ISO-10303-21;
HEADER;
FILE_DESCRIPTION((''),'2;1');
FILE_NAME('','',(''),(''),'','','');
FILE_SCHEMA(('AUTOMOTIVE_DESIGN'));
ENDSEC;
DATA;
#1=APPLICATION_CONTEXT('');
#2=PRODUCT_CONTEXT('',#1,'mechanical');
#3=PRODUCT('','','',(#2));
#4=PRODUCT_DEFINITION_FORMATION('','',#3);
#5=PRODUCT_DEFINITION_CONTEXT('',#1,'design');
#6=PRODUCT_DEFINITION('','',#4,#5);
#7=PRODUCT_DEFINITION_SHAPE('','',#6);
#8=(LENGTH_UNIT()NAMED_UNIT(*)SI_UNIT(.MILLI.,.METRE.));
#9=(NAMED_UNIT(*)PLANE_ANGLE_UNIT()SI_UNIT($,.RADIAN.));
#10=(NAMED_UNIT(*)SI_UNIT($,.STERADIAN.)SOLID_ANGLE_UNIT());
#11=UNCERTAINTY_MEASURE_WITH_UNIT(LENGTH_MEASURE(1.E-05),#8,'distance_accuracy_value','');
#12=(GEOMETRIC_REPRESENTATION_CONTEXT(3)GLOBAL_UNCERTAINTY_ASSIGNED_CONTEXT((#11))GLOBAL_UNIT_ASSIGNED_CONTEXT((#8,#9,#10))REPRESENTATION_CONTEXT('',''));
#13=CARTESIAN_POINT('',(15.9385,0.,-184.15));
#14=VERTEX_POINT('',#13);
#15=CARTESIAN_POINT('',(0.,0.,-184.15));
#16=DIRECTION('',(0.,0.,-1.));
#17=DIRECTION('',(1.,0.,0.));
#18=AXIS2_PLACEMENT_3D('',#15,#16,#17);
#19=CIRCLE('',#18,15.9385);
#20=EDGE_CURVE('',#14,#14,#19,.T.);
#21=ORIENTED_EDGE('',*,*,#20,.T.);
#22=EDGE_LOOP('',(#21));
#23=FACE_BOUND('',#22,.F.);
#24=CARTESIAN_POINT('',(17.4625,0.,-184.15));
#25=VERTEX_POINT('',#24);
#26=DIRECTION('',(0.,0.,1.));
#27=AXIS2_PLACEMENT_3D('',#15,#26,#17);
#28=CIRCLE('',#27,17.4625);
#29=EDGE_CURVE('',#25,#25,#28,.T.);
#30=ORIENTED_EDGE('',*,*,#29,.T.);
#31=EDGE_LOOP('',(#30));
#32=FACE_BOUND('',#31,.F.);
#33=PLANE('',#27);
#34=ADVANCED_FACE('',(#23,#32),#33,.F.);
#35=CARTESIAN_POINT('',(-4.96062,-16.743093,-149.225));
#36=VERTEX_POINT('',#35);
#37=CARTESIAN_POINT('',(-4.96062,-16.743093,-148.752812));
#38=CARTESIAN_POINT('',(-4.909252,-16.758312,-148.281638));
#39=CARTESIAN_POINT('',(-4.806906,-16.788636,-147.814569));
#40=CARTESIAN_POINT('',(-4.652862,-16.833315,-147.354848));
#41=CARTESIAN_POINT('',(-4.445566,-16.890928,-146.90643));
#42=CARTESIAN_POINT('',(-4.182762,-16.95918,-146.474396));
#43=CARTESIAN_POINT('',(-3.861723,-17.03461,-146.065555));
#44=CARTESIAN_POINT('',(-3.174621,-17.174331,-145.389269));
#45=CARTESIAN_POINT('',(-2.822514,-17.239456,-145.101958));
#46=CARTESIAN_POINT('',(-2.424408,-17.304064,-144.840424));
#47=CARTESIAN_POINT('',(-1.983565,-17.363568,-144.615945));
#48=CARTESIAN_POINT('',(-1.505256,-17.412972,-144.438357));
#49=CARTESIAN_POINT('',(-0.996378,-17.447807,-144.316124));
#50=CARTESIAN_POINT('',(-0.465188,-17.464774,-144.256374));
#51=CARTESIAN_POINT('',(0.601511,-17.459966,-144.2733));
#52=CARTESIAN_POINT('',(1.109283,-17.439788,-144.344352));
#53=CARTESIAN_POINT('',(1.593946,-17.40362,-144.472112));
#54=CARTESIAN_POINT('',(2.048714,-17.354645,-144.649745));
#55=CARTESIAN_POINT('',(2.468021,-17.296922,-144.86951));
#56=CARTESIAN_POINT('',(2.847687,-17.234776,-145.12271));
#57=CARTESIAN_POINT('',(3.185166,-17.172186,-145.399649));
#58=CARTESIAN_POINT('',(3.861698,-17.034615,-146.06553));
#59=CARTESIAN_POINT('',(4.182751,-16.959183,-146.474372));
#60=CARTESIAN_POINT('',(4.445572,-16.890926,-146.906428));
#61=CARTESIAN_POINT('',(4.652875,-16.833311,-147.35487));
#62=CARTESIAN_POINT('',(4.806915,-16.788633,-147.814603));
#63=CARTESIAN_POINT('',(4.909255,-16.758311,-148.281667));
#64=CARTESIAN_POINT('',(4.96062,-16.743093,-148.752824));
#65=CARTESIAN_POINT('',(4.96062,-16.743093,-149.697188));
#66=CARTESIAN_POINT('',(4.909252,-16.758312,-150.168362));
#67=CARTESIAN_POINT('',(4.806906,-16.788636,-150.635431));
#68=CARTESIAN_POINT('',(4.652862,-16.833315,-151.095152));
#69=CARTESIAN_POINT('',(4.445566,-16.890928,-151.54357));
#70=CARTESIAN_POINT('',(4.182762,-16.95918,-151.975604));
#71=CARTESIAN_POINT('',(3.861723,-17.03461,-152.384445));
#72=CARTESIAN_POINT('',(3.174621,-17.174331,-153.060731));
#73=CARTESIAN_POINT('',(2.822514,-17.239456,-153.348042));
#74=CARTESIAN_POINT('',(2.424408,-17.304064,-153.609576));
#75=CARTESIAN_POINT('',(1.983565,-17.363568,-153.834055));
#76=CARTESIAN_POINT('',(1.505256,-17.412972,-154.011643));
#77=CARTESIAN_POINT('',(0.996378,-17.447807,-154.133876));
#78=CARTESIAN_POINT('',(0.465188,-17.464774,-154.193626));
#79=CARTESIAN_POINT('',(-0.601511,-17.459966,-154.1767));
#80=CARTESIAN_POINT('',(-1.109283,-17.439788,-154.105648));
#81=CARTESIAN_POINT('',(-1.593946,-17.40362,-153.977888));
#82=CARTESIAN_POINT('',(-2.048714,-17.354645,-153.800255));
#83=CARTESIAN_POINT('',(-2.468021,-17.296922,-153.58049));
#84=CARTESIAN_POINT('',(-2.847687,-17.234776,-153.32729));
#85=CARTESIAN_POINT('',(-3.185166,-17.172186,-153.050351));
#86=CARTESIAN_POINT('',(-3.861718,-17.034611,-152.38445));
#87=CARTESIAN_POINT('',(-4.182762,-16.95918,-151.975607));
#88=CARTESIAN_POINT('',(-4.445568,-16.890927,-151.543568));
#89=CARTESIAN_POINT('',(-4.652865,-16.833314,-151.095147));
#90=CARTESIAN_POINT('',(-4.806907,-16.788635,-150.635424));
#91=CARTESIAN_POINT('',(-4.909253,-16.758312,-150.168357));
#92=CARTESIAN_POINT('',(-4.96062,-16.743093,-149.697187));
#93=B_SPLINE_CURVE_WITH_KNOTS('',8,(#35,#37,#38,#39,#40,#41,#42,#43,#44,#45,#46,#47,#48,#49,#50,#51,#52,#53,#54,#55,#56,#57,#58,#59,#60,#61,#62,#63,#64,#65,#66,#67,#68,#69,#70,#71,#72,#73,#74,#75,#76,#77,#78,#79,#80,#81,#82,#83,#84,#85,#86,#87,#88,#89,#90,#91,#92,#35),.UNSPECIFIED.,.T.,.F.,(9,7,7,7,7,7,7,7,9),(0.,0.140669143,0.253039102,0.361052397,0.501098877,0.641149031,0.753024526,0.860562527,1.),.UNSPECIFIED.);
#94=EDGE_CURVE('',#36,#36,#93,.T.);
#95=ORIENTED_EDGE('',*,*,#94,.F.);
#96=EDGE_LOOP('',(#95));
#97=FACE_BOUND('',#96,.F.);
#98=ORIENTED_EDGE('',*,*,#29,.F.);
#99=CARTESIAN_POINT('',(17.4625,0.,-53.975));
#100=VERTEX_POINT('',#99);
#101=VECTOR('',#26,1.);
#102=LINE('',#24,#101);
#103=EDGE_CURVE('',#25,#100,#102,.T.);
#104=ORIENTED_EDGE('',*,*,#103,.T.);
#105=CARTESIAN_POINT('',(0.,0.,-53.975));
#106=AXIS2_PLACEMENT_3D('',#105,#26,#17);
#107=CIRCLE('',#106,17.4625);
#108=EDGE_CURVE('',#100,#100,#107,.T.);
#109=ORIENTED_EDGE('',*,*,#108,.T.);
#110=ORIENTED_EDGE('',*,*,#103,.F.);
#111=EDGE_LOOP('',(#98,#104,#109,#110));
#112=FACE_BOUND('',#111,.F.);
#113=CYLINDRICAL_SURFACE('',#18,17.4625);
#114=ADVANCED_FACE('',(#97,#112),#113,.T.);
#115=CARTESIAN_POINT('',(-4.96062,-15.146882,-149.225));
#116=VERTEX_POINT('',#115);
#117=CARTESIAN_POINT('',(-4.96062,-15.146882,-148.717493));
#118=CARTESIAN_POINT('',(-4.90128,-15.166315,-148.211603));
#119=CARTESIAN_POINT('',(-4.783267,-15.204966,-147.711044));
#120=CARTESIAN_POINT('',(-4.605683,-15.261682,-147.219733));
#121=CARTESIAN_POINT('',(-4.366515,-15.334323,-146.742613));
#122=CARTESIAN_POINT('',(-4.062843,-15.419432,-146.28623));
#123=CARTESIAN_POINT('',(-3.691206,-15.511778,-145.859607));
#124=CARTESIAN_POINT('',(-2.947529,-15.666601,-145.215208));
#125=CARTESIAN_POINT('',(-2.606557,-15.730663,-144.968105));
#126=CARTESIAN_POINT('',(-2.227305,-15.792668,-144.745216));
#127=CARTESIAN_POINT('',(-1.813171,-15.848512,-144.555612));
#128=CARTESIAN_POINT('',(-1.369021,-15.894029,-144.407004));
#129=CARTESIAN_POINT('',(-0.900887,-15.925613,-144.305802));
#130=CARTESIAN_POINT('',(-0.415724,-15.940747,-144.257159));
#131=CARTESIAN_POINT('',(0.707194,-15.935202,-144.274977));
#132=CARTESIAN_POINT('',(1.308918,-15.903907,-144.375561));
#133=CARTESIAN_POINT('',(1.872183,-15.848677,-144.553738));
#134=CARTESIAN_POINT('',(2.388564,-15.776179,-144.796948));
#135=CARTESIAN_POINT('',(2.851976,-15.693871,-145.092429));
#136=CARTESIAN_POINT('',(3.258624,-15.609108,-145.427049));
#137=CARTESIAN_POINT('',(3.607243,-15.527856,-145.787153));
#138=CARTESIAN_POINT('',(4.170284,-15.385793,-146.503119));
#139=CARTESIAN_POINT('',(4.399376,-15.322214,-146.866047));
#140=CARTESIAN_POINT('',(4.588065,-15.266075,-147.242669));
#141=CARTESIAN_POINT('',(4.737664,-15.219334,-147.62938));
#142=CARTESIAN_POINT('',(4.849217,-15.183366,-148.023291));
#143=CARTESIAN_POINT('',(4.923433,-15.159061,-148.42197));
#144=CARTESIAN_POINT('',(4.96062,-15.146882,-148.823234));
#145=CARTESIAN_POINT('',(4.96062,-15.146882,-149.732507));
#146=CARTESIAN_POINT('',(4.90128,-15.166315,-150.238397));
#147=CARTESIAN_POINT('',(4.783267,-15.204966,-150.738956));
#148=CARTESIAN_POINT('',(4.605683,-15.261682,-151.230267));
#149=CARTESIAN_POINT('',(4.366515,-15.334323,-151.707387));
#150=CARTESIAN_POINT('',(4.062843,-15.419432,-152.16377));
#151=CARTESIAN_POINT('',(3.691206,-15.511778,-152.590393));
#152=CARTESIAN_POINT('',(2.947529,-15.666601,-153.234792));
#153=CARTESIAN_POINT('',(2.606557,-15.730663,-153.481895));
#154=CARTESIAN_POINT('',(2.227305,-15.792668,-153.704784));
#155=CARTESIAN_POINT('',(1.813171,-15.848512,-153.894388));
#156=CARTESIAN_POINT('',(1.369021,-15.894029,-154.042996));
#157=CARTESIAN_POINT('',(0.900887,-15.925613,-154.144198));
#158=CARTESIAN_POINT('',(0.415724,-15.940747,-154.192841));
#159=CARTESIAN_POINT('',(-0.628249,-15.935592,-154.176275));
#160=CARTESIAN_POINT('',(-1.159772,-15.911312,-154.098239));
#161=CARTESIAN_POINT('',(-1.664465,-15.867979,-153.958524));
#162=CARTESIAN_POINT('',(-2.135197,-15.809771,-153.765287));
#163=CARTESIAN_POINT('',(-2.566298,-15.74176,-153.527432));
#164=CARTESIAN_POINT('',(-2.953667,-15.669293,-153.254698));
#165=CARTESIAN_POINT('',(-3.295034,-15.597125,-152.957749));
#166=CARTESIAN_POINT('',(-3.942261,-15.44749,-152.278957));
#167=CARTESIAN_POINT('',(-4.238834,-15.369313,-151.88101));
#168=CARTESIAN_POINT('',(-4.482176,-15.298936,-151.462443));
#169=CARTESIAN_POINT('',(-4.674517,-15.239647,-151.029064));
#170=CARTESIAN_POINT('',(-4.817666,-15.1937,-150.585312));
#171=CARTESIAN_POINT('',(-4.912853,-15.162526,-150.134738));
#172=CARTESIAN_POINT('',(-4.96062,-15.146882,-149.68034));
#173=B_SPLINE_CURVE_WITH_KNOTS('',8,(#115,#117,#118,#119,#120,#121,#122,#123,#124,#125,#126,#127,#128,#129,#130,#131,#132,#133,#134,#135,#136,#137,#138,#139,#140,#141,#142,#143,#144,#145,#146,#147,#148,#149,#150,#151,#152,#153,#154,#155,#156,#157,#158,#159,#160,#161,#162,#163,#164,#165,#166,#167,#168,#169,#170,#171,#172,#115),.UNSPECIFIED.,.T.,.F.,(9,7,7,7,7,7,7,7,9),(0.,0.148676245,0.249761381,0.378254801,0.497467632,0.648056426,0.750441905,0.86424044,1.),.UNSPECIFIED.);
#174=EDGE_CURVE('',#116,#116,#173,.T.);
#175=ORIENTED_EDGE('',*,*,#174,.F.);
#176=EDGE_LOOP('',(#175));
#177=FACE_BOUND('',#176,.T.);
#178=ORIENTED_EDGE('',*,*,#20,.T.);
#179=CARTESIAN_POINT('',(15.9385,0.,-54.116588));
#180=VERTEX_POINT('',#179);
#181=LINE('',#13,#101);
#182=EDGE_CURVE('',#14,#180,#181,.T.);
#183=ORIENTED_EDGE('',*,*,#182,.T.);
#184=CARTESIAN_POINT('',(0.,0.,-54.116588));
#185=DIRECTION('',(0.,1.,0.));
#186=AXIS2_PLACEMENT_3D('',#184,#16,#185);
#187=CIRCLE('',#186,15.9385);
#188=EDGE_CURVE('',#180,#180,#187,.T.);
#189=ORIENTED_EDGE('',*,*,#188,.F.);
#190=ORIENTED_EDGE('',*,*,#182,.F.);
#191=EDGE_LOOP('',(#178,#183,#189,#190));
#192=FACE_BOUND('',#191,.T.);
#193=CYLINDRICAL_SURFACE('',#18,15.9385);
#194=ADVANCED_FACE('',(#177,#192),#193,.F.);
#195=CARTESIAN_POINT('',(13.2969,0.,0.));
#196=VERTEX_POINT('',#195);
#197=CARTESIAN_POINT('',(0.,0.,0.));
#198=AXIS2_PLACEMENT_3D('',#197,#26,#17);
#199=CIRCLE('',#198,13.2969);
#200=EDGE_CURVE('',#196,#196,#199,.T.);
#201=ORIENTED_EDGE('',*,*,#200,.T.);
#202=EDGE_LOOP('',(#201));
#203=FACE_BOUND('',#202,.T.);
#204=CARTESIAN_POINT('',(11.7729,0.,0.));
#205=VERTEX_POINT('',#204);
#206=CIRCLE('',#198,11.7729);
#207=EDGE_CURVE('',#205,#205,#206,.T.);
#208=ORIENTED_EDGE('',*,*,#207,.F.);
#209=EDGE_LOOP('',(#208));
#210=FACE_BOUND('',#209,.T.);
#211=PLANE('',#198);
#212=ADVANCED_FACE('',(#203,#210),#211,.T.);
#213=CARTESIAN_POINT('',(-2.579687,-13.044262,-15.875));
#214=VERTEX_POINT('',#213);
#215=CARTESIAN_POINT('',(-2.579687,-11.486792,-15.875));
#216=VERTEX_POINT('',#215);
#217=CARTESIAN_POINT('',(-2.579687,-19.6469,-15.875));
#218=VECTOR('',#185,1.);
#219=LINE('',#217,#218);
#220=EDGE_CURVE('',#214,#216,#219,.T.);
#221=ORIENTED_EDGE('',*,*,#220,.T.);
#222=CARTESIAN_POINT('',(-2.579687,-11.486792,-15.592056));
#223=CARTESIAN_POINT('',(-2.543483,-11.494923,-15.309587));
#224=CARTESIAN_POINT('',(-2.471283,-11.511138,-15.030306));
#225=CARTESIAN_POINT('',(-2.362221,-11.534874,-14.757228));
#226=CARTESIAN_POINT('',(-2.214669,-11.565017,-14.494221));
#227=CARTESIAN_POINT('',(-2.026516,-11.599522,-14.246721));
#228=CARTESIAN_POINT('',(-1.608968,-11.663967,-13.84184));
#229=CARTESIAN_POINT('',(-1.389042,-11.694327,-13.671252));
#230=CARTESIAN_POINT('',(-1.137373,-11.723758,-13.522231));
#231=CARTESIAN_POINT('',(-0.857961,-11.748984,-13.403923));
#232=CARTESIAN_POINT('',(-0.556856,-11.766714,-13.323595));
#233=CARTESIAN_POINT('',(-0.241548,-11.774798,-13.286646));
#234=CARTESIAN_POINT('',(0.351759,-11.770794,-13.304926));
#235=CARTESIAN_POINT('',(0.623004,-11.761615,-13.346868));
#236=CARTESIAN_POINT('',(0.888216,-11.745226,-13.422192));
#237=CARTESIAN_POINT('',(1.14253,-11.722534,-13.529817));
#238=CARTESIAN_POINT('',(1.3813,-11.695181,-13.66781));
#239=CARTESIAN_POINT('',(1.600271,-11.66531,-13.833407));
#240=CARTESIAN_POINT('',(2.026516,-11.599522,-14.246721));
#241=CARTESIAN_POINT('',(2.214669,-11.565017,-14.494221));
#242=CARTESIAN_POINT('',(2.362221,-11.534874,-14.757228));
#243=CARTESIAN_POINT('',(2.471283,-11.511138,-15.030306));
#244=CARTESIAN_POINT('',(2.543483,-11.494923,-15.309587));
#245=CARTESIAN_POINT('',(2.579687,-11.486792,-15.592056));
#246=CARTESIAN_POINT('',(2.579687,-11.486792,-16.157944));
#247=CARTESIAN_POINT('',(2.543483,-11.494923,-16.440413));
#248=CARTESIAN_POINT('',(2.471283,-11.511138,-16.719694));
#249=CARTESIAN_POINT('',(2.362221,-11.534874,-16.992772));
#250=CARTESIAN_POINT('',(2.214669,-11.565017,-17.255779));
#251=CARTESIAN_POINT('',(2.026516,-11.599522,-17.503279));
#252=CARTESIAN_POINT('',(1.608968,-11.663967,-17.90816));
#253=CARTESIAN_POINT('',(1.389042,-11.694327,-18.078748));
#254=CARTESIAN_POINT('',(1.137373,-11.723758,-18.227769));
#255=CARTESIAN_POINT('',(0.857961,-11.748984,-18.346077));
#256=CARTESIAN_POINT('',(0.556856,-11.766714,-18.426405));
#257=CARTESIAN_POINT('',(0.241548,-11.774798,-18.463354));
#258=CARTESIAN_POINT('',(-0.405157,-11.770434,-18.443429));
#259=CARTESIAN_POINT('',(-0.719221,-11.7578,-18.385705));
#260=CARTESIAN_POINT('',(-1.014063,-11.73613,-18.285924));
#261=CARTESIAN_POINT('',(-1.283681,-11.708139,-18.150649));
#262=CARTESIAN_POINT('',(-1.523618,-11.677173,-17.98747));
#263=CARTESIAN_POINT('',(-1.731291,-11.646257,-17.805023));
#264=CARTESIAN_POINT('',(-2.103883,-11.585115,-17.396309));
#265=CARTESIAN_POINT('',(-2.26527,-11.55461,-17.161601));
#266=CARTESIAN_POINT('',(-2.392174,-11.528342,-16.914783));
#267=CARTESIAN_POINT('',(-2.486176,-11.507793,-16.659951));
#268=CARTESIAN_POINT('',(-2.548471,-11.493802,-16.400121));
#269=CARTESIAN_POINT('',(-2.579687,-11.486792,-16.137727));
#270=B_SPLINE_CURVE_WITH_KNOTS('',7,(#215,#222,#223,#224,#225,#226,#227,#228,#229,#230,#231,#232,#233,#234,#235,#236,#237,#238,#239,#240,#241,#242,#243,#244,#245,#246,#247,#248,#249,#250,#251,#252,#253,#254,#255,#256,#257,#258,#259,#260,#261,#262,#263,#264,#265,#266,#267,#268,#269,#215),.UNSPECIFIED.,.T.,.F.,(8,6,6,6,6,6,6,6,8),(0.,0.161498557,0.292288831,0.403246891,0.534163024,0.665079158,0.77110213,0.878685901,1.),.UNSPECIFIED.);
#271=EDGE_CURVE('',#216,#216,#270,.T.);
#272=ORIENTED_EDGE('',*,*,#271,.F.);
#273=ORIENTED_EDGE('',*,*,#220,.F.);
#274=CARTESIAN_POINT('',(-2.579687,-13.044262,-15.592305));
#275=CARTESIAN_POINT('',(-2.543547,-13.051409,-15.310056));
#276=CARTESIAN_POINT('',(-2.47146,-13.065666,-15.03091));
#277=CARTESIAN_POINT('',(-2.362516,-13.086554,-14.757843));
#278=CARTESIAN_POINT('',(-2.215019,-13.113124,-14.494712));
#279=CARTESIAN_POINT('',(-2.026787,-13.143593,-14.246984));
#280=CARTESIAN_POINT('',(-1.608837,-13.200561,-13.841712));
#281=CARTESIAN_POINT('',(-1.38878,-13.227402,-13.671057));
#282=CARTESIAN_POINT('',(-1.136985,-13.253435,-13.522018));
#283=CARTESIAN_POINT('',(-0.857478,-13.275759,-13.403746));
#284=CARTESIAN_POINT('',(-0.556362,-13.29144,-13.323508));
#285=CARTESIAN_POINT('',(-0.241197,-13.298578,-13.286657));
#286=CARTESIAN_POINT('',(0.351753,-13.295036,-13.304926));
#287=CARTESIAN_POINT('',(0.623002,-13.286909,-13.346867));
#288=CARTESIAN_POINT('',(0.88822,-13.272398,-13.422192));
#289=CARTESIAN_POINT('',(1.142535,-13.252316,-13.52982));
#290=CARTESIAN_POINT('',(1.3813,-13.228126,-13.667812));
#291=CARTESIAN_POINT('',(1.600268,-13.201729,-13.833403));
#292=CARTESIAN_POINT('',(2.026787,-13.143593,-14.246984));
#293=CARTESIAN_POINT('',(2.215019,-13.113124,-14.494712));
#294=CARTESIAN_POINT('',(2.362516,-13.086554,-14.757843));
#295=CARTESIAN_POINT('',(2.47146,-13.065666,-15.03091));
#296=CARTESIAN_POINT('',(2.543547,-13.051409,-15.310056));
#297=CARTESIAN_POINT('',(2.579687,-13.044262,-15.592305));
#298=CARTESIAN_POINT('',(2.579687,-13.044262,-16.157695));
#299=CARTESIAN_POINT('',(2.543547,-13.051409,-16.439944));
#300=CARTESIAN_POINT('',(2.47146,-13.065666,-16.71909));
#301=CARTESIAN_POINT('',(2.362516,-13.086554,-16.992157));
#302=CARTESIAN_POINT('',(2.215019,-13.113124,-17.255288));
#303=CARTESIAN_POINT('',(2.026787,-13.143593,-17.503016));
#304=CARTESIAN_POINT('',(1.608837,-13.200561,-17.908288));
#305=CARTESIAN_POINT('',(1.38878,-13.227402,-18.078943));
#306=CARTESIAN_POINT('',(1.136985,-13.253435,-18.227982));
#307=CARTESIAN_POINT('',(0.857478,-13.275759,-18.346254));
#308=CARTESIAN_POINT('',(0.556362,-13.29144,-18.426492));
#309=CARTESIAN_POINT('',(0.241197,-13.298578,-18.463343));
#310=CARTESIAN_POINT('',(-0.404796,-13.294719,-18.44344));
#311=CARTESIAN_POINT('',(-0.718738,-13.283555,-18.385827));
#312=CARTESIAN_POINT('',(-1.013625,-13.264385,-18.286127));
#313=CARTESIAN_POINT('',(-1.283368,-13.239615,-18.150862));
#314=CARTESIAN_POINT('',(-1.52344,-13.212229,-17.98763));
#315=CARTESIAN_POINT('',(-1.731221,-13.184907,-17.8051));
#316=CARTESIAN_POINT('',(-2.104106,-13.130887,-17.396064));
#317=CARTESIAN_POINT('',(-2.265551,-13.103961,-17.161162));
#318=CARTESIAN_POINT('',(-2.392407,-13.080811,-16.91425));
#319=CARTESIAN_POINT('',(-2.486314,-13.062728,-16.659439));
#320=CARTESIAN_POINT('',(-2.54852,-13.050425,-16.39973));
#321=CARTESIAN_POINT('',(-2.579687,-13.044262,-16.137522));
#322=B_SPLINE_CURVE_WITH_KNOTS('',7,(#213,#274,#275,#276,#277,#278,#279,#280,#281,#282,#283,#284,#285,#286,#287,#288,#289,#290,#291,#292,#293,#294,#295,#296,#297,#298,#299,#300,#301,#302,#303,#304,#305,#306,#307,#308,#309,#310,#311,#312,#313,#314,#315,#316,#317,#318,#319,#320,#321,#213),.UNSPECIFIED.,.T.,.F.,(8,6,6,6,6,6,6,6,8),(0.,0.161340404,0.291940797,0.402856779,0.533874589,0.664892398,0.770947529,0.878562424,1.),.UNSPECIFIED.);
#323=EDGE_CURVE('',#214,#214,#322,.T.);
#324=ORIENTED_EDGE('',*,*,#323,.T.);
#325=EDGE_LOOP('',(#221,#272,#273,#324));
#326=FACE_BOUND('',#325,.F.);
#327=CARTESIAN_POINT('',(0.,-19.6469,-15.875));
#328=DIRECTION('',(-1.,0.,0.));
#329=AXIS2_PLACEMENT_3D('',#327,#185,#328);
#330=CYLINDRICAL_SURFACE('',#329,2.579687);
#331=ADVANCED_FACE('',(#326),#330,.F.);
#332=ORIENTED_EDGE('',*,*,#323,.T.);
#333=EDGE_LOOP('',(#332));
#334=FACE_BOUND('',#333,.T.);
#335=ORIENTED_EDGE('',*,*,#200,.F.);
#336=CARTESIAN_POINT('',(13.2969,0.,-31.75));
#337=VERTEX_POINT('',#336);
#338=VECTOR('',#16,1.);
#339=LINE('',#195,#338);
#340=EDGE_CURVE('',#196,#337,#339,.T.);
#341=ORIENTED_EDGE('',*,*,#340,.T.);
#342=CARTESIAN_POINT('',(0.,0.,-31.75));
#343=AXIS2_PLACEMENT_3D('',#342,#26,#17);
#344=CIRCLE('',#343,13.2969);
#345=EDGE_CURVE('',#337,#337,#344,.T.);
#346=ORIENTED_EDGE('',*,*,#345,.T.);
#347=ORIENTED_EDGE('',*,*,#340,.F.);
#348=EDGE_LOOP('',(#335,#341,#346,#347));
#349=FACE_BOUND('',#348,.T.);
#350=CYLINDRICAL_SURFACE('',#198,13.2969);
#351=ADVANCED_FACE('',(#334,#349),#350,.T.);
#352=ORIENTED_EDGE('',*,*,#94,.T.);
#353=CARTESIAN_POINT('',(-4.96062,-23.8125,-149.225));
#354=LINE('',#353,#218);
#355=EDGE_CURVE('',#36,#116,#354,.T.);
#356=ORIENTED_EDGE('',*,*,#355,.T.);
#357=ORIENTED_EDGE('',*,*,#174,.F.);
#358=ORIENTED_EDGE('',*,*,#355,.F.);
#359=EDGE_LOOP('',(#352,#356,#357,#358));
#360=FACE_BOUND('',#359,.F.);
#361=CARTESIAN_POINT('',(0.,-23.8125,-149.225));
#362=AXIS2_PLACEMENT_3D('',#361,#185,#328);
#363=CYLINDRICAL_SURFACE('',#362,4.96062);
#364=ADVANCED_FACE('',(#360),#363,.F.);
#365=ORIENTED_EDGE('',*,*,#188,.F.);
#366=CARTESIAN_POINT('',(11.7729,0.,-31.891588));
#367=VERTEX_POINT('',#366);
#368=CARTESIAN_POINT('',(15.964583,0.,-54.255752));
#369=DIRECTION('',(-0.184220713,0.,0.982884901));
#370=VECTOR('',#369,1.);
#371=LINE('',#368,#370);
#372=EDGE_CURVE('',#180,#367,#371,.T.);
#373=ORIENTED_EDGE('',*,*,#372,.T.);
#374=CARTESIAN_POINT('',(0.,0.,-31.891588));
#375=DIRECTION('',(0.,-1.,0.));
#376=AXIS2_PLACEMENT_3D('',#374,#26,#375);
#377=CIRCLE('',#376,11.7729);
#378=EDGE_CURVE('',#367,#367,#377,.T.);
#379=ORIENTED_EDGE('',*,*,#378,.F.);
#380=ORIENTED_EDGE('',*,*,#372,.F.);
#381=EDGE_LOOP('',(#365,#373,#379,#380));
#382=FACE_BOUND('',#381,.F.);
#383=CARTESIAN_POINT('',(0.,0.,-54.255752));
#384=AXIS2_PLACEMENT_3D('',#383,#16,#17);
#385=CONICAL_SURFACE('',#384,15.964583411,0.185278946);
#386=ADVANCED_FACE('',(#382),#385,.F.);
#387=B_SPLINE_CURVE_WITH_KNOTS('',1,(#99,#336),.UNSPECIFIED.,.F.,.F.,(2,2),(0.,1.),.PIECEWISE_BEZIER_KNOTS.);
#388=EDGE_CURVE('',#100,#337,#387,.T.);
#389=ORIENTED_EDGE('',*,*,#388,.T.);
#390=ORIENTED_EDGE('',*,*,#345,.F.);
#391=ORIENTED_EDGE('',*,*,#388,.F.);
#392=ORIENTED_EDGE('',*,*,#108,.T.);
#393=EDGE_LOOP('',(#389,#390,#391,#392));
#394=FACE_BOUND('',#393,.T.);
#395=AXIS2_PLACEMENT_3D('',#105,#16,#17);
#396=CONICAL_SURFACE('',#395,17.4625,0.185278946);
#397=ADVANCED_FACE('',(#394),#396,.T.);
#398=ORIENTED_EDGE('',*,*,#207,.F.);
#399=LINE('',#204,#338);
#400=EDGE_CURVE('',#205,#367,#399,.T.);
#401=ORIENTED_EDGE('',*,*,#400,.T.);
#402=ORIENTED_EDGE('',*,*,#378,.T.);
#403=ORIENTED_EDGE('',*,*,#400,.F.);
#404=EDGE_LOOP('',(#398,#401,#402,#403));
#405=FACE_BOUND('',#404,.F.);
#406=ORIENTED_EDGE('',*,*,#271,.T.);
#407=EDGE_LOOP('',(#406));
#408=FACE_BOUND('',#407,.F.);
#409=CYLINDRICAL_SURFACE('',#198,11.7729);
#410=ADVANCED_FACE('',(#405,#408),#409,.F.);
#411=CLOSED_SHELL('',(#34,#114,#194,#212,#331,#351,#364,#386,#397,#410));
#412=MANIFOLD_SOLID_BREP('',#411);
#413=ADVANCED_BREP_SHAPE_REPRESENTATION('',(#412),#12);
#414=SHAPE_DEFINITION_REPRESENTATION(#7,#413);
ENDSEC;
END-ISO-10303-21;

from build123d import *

# Parameters (mm, degrees)
F0_R      = 13.2969
F1_DEPTH  = 31.75
F3_R      = 17.4625
F4_DEPTH  = 130.175
F4_FACE_R = 17.4625
F1_FACE_R = 13.2969
F6_T      = -1.524
F12_D     = 9.92124
F12_DEPTH = 6.35
F12_TIP   = 2.980641204
F13_D     = 5.159375
F13_DEPTH = 6.35
F13_TIP   = 1.5500326281


with BuildPart() as f1:
    # F0 (on Top) → F1 (new body)
    with BuildSketch(Plane.XY):
        Circle(F0_R)
    extrude(amount=-F1_DEPTH)



with BuildPart() as f4:
    # F3 (on offset) → F4 (new body)
    with BuildSketch(Plane.XY.offset(-184.15)):
        Circle(F3_R)
    extrude(amount=F4_DEPTH)


with BuildPart() as f1_1:
    add(f1.part)

    add(f4.part)  # F5 merges F4
    # F4_face (on face) → F5 section 0
    with BuildSketch(Plane.XY.offset(-53.975)):
        Circle(F4_FACE_R)
    # F1_face (on face) → F5 section 1
    with BuildSketch(Plane(origin=(0, 0, -31.75), x_dir=(1, 0, 0), z_dir=(0, 0, -1))):
        Circle(F1_FACE_R)
    loft()

    # F6
    f6_openings = [f1_1.faces().sort_by_distance(p)[0] for p in [
        (0, 0, 0),
        (0, 0, -184.15),
    ]]
    offset(amount=F6_T, openings=f6_openings, kind=Kind.INTERSECTION)

    # F12
    with Locations(Plane.XZ.offset(17.4625)):
        with Locations((0, -149.225)):
            Hole(F12_D / 2, depth=F12_DEPTH)
            with Locations((0, 0, -(F12_DEPTH + F12_TIP / 2))):  # 118° drill point
                Cone(0, F12_D / 2, F12_TIP, mode=Mode.SUBTRACT)

    # F13
    with Locations(Plane.XZ.offset(13.2969)):
        with Locations((0, -15.875)):
            Hole(F13_D / 2, depth=F13_DEPTH)
            with Locations((0, 0, -(F13_DEPTH + F13_TIP / 2))):  # 118° drill point
                Cone(0, F13_D / 2, F13_TIP, mode=Mode.SUBTRACT)


solid = f1_1.part
